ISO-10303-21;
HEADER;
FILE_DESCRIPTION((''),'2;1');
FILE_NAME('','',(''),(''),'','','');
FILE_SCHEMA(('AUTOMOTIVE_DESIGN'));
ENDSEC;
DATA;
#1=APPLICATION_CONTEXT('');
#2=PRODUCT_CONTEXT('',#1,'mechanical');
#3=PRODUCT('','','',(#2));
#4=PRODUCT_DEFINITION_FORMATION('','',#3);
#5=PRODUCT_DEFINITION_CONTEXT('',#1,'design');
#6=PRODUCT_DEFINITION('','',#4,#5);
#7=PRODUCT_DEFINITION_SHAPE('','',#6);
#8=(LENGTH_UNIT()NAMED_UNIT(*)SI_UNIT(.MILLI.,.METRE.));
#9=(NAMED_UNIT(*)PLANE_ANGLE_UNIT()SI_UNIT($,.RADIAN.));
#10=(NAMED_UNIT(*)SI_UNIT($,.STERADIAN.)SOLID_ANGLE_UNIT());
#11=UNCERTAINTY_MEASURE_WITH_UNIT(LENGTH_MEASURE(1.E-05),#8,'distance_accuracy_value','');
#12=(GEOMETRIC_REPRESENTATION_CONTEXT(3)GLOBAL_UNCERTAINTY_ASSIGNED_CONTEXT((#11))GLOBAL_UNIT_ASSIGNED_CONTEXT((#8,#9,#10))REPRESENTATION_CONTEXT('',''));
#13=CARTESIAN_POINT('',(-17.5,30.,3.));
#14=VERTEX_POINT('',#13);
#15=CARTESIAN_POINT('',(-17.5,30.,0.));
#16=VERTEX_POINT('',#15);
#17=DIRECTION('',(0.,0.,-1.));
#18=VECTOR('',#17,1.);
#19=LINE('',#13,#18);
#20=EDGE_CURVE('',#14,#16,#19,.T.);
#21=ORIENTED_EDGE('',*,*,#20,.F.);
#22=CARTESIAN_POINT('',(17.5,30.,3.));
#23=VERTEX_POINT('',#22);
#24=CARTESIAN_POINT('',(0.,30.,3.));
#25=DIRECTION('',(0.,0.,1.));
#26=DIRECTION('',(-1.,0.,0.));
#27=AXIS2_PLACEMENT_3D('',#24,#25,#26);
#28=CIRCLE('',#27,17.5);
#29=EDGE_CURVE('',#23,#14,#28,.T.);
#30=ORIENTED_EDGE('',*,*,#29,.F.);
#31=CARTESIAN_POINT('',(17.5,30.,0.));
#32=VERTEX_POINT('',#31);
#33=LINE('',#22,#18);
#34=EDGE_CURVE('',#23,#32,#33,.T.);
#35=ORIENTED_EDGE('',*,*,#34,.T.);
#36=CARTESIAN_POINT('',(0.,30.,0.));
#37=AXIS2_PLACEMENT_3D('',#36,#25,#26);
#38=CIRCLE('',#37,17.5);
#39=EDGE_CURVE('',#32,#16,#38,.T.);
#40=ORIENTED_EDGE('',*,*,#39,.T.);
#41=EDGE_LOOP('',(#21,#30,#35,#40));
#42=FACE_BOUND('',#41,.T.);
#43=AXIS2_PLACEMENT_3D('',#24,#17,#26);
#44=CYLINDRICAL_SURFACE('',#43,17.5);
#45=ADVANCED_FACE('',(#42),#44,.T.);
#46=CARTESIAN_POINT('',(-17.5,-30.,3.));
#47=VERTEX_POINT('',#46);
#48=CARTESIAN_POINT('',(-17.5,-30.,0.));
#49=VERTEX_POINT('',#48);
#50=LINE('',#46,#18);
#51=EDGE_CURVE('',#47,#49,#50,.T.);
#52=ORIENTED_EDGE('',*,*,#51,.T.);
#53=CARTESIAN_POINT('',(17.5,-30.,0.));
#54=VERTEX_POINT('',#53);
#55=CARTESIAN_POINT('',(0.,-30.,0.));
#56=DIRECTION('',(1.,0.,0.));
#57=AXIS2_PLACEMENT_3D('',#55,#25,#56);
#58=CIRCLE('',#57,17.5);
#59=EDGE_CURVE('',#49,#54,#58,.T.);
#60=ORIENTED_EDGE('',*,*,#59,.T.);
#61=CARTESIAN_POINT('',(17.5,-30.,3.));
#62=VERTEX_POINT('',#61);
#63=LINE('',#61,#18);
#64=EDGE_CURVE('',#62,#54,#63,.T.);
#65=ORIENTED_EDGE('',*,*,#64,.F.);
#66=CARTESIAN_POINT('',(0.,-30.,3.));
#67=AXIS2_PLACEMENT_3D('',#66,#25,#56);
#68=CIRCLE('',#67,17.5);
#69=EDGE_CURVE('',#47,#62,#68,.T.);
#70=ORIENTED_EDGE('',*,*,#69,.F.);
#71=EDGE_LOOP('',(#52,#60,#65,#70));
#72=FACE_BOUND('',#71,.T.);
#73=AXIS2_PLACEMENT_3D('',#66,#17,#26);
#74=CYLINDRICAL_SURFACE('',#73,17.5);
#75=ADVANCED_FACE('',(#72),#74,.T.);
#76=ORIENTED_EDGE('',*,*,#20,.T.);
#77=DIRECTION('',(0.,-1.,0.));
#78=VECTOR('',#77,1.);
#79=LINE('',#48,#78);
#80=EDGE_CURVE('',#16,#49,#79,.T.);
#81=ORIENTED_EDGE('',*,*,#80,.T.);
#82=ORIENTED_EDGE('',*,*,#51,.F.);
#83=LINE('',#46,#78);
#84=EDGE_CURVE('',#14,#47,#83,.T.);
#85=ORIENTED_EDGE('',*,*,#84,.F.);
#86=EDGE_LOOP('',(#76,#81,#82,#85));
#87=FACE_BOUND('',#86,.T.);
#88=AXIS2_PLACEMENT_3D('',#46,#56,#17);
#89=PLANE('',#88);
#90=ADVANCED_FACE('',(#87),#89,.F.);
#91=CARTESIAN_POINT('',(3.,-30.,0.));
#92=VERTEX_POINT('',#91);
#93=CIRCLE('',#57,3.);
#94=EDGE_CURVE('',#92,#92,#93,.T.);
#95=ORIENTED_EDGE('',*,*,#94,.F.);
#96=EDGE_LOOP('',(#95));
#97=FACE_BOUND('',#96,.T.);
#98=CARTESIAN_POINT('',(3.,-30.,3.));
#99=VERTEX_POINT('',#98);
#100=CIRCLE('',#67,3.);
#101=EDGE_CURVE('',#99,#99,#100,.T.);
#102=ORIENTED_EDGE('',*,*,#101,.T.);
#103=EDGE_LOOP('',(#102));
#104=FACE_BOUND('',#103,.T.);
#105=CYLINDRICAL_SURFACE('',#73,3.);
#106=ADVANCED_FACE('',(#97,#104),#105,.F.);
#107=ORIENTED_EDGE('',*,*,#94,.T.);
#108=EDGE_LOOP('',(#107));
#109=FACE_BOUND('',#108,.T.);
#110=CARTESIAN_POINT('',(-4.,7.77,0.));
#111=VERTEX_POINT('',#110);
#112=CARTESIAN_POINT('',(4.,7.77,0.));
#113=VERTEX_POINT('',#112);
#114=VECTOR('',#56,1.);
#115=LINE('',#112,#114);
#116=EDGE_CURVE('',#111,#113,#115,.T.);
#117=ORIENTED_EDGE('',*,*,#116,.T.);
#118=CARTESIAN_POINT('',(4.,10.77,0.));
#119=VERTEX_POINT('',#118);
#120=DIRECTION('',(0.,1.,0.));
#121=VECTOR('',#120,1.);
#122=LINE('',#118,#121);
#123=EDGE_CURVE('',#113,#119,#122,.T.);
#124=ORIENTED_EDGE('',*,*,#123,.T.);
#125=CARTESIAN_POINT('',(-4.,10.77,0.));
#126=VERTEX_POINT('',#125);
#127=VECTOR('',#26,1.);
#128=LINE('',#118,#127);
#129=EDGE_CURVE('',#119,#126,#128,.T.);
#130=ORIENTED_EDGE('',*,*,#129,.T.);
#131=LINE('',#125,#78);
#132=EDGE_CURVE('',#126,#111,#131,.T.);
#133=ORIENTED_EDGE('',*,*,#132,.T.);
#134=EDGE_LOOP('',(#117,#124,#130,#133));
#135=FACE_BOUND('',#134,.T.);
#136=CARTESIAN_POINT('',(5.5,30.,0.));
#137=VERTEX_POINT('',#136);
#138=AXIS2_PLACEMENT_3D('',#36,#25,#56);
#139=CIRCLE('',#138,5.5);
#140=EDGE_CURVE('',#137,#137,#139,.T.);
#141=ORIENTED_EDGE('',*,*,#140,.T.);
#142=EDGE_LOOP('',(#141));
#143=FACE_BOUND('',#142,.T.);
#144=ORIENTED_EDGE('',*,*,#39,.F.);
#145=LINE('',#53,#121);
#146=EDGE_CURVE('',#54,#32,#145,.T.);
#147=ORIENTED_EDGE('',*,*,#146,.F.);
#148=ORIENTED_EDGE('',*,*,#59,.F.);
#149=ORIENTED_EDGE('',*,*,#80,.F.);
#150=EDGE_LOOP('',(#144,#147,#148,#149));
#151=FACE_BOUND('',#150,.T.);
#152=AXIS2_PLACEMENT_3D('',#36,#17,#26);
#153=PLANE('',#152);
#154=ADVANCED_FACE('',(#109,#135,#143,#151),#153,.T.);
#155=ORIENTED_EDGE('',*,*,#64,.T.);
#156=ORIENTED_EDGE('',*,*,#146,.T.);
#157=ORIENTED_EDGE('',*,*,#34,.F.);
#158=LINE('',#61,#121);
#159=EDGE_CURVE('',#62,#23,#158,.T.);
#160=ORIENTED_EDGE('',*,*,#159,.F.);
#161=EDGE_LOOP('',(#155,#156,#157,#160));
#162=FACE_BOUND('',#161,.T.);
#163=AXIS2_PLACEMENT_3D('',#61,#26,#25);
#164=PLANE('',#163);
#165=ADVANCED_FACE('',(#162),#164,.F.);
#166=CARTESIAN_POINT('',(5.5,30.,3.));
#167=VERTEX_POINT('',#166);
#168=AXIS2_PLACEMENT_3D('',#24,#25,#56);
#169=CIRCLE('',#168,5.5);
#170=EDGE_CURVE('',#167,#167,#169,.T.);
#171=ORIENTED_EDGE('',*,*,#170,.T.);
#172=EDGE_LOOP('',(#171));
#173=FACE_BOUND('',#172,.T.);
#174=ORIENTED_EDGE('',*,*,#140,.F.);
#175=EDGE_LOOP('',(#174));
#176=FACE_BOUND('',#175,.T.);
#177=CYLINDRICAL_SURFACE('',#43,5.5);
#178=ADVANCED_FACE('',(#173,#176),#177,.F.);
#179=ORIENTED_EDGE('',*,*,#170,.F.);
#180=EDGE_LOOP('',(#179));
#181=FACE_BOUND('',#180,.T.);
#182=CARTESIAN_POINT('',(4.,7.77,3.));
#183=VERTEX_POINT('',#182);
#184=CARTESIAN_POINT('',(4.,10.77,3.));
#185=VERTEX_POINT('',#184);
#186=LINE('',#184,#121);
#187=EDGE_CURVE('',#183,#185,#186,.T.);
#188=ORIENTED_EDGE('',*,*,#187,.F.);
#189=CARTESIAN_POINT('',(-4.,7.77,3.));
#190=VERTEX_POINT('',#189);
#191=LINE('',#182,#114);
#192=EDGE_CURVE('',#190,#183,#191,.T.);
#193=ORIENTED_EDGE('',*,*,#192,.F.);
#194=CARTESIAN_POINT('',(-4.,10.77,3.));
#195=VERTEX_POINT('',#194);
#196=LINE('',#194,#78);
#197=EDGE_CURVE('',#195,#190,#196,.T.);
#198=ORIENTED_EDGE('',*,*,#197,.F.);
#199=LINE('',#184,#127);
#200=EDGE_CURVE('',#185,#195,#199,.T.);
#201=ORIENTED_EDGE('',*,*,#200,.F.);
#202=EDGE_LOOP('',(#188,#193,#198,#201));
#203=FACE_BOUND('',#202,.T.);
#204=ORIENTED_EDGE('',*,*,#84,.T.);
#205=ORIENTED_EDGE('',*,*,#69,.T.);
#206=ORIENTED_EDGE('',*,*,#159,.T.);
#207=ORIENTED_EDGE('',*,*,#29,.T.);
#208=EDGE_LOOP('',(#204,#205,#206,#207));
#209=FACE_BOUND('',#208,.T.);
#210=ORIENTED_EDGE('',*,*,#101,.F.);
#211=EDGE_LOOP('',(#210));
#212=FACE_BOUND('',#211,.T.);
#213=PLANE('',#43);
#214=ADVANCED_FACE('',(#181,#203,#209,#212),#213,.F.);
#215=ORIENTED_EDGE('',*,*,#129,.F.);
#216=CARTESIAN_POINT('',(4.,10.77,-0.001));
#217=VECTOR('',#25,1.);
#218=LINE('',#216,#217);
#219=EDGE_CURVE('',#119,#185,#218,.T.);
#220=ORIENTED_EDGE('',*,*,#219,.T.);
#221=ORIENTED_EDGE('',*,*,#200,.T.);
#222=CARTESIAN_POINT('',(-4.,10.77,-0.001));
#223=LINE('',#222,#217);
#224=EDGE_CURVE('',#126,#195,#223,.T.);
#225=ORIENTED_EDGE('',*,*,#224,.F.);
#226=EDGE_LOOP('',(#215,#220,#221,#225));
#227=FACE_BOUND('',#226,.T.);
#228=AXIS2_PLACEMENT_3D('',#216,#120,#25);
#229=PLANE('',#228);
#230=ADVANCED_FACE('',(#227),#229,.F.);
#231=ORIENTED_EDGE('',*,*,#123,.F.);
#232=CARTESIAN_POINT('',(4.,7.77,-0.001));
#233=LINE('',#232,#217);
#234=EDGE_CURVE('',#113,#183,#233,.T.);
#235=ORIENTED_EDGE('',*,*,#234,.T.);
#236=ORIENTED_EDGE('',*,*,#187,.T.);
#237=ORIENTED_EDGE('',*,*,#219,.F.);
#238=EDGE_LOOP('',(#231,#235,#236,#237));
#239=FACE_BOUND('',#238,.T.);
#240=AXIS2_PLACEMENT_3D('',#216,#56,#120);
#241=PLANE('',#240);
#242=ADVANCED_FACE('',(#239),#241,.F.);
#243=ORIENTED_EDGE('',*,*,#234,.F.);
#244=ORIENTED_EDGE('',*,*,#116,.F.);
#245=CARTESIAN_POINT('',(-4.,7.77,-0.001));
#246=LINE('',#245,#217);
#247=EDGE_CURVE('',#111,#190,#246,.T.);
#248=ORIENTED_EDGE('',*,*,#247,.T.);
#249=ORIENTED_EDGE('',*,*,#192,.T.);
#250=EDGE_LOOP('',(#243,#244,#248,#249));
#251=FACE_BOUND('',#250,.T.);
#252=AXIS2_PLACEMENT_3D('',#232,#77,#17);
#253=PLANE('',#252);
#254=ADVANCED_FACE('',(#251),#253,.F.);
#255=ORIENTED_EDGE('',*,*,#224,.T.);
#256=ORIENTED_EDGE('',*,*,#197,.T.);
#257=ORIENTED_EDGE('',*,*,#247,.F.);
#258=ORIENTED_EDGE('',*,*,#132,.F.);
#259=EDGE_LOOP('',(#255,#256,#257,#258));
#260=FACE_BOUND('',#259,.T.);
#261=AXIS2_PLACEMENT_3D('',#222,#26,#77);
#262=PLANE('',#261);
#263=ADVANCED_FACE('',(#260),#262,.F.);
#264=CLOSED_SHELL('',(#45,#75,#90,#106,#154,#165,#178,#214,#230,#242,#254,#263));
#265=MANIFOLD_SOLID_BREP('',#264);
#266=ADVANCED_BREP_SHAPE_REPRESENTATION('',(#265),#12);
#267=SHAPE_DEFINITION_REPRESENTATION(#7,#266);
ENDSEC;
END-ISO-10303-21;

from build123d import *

# Parameters (mm, degrees)
CROQUIS1_R              = 5.5
CROQUIS1_R_2            = 3
SALIENTE_EXTRUIR1_DEPTH = 3
CORTAR_EXTRUIR1_REACH   = 52.71
CROQUIS2_W              = 8
CROQUIS2_H              = 3


with BuildPart() as part:
    # Croquis1 → Saliente-Extruir1 (new body)
    with BuildSketch(Plane.XY):
        with BuildLine():
            Line((-17.5, -30), (-17.5, 30))
            ThreePointArc((-17.5, 30), (0, 47.5), (17.5, 30))
            Line((17.5, 30), (17.5, -30))
            ThreePointArc((17.5, -30), (0, -47.5), (-17.5, -30))
        make_face()
        with Locations((0, 30)):
            Circle(CROQUIS1_R, mode=Mode.SUBTRACT)
        with Locations((0, -30)):
            Circle(CROQUIS1_R_2, mode=Mode.SUBTRACT)
    extrude(amount=SALIENTE_EXTRUIR1_DEPTH)

    # Croquis2 → Cortar-Extruir1 (cut, up to next)
    with BuildSketch(Plane.XY.offset(3), mode=Mode.PRIVATE) as cortar_extruir1_sk1:
        with Locations((0, 9.27)):
            Rectangle(CROQUIS2_W, CROQUIS2_H)
    cortar_extruir1_tool1 = extrude(cortar_extruir1_sk1.sketch, amount=-CORTAR_EXTRUIR1_REACH, mode=Mode.PRIVATE) & part.part
    add(cortar_extruir1_tool1.solids().sort_by_distance((0, 9.27, 3))[0], mode=Mode.SUBTRACT)


solid = part.part
